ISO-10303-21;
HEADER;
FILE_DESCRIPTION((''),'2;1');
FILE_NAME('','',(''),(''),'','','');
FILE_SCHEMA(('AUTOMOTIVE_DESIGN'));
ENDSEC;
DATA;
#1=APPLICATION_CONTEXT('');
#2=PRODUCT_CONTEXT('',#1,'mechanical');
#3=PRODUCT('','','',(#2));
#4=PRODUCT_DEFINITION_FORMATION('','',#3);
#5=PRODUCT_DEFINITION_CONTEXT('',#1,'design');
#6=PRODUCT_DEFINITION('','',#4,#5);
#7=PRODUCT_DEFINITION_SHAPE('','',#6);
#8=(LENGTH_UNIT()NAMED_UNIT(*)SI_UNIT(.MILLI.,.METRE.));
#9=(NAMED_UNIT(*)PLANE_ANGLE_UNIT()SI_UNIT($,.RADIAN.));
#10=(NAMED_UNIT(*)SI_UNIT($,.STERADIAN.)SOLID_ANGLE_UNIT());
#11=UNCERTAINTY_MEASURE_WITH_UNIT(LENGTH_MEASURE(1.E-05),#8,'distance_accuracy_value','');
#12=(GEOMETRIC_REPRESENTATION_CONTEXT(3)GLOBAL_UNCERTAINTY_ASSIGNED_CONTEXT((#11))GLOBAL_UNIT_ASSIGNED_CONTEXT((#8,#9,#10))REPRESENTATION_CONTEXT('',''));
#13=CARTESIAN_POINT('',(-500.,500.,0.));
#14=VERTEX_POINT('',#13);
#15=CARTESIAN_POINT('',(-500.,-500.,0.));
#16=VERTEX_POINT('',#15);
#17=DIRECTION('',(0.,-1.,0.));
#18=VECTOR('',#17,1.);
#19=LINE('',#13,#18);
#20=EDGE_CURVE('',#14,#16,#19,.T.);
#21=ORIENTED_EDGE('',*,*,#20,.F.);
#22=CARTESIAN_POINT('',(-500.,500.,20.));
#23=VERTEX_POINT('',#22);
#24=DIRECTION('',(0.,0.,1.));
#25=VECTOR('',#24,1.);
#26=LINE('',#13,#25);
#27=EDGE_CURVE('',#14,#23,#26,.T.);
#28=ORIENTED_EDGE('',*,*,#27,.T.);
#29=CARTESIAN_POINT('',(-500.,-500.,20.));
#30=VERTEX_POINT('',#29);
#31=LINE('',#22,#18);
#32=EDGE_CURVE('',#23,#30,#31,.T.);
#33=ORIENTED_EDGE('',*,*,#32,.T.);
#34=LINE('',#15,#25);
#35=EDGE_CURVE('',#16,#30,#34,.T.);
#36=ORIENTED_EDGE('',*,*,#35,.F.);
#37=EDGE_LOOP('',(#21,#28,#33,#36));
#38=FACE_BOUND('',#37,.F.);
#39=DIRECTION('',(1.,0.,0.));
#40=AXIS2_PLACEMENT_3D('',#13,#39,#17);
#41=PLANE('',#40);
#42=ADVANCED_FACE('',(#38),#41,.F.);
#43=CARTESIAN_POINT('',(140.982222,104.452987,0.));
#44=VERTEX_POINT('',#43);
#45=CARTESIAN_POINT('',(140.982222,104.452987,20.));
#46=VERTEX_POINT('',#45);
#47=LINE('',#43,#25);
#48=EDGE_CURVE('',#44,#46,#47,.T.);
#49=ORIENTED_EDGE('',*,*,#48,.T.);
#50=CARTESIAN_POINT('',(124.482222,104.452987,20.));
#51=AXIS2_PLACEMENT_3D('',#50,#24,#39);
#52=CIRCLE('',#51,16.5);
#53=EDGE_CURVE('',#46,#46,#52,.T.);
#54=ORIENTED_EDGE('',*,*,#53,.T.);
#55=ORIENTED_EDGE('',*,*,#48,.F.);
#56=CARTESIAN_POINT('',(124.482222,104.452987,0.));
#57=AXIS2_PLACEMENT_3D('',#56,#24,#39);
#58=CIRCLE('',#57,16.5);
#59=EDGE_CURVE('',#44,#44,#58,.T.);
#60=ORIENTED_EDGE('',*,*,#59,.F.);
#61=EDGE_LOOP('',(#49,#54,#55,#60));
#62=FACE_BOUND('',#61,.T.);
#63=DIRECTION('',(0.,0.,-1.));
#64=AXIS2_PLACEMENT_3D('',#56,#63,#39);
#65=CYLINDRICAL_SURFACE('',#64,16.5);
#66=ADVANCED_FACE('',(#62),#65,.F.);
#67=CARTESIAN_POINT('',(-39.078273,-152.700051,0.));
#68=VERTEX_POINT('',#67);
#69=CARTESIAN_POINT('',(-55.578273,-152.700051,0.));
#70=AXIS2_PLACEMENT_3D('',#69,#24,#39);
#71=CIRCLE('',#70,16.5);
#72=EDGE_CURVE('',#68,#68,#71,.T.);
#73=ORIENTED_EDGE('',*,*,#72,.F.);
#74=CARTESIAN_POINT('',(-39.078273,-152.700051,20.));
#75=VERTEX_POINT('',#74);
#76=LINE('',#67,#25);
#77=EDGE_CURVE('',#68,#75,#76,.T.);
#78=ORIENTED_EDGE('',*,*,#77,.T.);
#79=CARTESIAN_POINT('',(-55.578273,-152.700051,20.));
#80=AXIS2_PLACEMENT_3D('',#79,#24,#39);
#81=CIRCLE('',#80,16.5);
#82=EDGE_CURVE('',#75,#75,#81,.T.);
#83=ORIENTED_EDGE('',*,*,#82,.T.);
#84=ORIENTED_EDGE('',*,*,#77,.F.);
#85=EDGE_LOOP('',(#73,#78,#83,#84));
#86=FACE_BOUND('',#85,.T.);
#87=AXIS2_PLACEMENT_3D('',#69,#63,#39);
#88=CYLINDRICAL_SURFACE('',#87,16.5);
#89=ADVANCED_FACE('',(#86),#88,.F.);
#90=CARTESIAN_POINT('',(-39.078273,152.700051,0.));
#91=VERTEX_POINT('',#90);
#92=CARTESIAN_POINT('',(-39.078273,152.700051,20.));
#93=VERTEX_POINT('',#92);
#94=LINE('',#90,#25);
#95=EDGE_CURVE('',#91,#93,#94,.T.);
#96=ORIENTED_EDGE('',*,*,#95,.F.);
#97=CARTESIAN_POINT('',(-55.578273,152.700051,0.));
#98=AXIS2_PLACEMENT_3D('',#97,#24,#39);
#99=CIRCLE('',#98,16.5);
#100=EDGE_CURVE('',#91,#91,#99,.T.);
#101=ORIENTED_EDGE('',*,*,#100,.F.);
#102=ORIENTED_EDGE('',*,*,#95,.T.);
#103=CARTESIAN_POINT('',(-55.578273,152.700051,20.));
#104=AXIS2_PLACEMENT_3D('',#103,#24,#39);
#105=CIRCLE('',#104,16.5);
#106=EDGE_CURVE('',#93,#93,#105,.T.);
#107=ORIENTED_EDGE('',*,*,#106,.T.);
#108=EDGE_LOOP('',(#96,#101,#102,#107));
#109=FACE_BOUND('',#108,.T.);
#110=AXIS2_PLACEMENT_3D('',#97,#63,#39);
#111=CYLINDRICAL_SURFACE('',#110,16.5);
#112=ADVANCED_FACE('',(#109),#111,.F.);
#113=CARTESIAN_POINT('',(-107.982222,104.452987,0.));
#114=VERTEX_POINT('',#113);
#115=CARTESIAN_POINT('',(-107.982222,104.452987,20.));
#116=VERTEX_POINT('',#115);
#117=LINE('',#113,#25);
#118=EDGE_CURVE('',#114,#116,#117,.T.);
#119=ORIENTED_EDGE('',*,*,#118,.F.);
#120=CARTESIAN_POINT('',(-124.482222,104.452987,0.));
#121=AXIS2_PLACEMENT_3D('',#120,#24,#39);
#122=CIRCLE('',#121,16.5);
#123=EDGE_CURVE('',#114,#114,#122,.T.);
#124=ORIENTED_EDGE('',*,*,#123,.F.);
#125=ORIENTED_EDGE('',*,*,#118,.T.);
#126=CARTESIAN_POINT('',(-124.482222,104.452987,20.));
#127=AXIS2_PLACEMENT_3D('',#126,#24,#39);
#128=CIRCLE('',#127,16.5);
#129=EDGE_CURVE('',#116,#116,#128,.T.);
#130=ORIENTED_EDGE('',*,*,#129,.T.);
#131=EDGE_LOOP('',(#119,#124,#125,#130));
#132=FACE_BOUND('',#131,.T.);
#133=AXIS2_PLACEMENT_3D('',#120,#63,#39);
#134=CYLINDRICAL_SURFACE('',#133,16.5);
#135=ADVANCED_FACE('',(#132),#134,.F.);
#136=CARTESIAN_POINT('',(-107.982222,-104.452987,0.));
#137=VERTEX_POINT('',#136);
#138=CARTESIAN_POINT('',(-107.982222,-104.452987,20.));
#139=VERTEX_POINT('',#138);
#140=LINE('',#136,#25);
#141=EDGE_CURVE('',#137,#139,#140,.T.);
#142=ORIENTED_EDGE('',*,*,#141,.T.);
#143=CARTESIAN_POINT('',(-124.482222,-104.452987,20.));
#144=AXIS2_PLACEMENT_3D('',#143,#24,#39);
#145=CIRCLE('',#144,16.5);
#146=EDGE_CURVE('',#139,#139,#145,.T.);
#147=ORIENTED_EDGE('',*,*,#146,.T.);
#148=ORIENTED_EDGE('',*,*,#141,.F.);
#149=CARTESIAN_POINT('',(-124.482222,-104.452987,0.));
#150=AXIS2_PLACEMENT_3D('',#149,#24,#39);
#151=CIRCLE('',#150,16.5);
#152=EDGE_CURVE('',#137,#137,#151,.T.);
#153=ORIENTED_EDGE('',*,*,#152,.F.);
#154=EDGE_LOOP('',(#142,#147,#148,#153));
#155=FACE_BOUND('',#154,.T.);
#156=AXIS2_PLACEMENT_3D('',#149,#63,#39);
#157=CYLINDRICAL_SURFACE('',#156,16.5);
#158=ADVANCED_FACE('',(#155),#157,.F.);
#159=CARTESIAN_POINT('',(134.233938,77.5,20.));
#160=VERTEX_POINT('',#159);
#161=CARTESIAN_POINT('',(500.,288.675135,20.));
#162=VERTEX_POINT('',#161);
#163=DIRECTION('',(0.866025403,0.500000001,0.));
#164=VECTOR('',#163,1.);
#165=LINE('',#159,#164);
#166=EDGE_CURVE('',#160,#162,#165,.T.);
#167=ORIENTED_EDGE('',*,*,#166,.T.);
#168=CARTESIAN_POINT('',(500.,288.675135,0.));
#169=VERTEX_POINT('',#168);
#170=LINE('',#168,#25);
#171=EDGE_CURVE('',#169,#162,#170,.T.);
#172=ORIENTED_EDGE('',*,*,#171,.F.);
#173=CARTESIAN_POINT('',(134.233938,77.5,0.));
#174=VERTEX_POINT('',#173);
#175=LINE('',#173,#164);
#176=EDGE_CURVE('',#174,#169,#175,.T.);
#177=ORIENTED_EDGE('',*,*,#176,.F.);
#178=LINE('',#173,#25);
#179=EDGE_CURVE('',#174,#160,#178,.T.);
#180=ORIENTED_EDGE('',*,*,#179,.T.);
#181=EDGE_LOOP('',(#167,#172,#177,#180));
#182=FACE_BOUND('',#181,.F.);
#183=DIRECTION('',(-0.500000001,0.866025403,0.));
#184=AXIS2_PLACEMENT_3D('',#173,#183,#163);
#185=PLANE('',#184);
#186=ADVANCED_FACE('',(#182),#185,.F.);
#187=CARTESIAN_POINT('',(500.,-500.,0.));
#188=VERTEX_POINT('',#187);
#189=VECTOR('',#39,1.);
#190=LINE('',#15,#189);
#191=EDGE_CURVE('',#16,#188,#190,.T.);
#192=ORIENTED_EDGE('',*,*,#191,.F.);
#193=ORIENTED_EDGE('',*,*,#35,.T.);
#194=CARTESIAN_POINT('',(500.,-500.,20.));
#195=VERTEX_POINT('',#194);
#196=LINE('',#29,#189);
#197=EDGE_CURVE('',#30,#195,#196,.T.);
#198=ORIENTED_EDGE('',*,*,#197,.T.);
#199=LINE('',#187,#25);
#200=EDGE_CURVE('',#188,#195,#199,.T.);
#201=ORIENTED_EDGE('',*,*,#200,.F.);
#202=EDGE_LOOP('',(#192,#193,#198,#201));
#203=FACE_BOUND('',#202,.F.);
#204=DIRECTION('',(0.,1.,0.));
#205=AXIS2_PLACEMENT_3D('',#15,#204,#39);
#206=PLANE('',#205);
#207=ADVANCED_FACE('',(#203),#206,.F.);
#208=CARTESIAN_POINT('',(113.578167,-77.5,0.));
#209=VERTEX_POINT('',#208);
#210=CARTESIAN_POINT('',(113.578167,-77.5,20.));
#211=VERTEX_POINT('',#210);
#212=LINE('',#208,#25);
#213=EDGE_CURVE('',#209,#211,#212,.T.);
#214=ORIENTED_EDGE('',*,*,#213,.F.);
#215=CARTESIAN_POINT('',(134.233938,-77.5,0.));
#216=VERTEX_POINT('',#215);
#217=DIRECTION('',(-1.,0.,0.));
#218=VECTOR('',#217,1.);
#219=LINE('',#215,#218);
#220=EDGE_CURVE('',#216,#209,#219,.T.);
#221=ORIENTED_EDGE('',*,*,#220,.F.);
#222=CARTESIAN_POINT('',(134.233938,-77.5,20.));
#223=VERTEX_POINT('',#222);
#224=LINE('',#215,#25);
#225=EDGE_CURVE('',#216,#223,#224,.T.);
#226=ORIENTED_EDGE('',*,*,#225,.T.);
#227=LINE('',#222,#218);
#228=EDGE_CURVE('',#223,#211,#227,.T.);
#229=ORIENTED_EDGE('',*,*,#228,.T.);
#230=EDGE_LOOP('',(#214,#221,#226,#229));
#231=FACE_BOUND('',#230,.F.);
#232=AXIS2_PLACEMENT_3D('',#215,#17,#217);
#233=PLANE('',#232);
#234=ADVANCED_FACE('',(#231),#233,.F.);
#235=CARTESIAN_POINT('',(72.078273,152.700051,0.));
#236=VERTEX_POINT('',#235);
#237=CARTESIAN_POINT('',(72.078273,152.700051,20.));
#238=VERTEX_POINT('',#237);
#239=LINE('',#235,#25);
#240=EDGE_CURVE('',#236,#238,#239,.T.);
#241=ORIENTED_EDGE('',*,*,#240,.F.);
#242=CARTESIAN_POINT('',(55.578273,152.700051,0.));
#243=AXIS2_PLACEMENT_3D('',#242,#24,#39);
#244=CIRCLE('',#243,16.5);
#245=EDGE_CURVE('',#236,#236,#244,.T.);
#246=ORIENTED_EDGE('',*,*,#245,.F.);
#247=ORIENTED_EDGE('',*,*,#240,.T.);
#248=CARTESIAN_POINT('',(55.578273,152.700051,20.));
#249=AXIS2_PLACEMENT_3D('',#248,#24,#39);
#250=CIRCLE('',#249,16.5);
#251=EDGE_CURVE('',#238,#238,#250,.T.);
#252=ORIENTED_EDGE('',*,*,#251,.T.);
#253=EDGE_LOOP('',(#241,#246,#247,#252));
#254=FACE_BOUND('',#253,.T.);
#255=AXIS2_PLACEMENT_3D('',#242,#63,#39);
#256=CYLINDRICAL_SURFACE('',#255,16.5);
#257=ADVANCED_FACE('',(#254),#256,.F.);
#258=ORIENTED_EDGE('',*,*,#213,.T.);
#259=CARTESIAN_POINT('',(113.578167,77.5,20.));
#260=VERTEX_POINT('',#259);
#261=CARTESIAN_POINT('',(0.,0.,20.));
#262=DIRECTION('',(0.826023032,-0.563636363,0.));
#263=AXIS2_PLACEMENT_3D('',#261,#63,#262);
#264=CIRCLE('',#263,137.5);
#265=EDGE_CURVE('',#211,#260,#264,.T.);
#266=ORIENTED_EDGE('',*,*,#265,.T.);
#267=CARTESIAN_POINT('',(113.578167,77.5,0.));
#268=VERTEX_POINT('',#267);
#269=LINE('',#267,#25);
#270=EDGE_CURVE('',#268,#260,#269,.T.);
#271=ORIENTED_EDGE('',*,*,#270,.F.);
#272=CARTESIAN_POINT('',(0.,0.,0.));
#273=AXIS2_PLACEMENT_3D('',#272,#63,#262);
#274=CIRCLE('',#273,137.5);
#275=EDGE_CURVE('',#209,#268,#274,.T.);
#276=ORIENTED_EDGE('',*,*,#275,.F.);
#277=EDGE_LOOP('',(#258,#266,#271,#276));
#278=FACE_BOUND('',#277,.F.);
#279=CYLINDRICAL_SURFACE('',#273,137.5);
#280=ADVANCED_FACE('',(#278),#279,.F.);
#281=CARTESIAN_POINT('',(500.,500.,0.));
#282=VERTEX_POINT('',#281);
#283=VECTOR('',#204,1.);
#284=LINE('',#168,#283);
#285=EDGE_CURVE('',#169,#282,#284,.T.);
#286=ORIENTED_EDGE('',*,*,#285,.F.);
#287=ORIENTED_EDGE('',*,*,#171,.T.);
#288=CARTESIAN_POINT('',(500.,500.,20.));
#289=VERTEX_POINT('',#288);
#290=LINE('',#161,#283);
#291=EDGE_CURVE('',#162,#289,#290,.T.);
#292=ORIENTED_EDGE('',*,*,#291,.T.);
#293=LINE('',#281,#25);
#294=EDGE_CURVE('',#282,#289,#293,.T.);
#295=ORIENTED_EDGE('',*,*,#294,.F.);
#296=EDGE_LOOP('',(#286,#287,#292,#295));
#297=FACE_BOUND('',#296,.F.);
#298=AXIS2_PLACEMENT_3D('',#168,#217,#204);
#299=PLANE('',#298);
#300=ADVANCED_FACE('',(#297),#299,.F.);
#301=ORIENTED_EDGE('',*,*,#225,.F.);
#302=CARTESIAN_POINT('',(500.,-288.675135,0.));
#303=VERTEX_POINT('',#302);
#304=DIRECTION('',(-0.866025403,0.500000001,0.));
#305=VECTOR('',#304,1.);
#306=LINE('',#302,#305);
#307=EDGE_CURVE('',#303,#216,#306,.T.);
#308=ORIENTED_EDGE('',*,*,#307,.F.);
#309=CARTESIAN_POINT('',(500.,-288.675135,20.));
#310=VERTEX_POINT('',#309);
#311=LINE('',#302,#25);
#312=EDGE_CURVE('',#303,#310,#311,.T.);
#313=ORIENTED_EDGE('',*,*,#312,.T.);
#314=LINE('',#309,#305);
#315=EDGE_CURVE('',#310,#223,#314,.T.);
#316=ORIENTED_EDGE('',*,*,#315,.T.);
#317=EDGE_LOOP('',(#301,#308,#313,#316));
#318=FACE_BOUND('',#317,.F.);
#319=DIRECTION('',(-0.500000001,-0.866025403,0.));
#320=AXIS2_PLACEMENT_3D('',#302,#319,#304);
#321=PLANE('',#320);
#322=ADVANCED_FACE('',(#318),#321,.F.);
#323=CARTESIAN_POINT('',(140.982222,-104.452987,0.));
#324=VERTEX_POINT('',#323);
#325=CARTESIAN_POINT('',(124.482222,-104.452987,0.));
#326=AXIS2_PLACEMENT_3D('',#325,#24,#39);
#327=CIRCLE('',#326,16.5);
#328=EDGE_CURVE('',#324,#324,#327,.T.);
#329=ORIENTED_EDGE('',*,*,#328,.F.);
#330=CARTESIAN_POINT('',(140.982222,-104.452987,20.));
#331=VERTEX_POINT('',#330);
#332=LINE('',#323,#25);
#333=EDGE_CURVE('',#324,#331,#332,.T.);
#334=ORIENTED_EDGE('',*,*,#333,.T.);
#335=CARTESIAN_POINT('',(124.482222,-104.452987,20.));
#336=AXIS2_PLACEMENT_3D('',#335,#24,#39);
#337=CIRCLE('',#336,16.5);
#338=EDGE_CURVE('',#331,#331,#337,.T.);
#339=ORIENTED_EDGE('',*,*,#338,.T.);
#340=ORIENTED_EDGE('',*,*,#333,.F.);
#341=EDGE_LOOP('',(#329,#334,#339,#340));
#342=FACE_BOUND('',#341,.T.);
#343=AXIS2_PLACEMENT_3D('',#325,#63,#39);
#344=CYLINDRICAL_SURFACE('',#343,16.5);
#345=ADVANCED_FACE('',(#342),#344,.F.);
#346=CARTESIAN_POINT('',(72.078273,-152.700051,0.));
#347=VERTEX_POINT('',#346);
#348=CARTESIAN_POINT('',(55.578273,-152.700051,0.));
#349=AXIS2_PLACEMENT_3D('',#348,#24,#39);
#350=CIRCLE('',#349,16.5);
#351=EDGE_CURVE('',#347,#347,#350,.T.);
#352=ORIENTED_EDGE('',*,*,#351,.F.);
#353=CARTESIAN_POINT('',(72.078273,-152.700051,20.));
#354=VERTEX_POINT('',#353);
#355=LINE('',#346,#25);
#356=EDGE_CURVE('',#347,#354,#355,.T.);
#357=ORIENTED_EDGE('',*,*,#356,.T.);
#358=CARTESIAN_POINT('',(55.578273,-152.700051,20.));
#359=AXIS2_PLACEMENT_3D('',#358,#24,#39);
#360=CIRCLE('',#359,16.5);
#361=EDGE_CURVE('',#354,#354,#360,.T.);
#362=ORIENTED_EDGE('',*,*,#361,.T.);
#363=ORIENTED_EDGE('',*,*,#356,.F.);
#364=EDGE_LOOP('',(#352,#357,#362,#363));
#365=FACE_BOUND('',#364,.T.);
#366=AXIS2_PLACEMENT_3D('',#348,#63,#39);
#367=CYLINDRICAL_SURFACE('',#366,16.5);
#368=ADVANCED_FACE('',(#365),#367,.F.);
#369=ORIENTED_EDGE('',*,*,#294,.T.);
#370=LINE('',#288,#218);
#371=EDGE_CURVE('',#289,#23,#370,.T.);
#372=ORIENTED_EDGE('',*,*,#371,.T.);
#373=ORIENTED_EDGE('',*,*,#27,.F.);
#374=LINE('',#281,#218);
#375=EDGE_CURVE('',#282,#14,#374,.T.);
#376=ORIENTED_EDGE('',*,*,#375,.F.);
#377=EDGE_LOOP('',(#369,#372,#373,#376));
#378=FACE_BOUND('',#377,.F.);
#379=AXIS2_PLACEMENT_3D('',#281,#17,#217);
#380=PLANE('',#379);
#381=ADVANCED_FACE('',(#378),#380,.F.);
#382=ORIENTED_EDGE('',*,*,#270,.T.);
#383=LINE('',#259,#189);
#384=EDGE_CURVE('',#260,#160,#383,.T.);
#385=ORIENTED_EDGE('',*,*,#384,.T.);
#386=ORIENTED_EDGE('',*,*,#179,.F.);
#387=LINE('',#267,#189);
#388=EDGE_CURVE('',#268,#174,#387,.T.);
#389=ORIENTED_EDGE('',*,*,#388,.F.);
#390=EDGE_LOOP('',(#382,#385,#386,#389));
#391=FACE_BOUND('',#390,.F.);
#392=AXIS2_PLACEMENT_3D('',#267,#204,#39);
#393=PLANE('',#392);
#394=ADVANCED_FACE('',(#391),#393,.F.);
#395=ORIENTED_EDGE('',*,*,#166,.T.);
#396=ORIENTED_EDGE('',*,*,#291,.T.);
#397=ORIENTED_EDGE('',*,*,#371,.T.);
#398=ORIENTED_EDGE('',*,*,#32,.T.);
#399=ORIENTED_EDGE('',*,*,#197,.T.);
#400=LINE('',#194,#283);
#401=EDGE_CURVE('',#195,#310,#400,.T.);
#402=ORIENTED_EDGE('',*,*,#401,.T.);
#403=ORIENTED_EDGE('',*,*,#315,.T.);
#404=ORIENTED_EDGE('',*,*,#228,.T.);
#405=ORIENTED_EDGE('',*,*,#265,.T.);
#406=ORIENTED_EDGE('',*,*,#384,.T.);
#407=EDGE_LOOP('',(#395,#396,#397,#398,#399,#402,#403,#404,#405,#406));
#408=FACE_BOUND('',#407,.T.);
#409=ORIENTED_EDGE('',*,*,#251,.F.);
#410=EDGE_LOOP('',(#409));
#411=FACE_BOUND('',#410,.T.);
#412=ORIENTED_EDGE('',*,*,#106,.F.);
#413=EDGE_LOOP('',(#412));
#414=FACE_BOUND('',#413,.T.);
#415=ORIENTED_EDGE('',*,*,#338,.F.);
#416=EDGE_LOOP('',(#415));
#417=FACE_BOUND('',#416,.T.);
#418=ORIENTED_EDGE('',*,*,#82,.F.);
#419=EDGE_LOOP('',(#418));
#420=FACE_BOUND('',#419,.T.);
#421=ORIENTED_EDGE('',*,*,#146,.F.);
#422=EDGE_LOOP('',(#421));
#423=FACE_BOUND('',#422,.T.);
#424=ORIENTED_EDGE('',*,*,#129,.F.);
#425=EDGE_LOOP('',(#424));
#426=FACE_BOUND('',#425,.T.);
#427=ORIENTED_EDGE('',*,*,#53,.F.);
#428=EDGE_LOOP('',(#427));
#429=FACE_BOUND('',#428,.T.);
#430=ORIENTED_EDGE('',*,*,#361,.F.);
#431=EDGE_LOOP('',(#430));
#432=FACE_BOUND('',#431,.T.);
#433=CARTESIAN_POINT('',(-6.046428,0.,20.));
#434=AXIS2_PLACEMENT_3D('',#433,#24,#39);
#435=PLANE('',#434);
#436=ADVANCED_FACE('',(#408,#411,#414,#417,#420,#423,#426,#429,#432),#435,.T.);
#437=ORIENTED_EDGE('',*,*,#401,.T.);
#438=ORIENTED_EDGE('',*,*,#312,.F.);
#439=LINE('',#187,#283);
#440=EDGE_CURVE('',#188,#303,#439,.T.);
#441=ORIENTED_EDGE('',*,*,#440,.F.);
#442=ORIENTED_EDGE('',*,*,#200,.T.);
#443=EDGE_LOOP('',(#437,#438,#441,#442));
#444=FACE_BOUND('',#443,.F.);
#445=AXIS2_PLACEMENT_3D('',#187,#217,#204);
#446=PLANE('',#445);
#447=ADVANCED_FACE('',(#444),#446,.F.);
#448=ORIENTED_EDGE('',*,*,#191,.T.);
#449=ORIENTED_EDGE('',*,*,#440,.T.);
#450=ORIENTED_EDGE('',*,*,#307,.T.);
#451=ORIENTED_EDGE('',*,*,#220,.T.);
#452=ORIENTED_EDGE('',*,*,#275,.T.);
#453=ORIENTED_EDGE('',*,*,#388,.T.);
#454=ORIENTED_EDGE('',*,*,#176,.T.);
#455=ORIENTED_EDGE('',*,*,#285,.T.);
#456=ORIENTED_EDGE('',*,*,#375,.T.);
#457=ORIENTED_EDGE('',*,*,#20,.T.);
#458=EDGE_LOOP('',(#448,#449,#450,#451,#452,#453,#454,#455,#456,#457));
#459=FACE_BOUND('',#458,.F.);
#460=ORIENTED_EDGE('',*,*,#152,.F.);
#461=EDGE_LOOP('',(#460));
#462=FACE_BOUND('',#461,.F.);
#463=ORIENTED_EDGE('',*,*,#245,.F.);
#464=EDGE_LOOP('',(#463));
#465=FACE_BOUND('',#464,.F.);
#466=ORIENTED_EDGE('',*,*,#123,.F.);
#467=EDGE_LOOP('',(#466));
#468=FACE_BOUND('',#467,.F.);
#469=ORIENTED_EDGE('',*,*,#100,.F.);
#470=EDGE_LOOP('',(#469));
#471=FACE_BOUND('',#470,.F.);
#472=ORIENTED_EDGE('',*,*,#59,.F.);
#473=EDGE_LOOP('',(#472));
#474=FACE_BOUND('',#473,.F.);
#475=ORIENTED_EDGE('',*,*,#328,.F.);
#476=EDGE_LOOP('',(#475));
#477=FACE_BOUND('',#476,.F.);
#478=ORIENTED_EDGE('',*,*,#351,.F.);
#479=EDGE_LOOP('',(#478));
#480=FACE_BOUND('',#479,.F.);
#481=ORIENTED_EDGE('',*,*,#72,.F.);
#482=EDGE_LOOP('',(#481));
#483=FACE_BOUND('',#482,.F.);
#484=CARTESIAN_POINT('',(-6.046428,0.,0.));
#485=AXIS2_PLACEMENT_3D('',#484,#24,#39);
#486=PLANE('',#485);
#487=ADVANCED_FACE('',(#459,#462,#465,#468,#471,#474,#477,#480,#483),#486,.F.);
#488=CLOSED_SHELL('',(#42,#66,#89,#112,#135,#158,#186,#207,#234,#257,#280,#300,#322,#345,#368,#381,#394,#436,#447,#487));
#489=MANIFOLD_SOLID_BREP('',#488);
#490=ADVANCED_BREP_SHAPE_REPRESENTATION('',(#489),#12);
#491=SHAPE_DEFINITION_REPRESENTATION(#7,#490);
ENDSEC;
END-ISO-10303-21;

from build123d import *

# Parameters (mm, degrees)
F0_R     = 16.5
F1_DEPTH = 20


with BuildPart() as f1:
    # F0 (on Top) → F1 (new body)
    with BuildSketch(Plane.XY):
        with BuildLine():
            ThreePointArc((113.578167, -77.5), (-137.5, 0), (113.578167, 77.5))
            Line((113.578167, 77.5), (134.233938, 77.5))
            Line((134.233938, 77.5), (500, 288.675135))
            Line((500, 288.675135), (500, 500))
            Line((500, 500), (-500, 500))
            Line((-500, 500), (-500, -500))
            Line((-500, -500), (500, -500))
            Line((500, -500), (500, -288.675135))
            Line((500, -288.675135), (134.233938, -77.5))
            Line((134.233938, -77.5), (113.578167, -77.5))
        make_face()
        with Locations((-55.578273, -152.700051)):
            Circle(F0_R, mode=Mode.SUBTRACT)
        with Locations((-124.482222, -104.452987)):
            Circle(F0_R, mode=Mode.SUBTRACT)
        with Locations((55.578273, -152.700051)):
            Circle(F0_R, mode=Mode.SUBTRACT)
        with Locations((124.482222, -104.452987)):
            Circle(F0_R, mode=Mode.SUBTRACT)
        with Locations((-124.482222, 104.452987)):
            Circle(F0_R, mode=Mode.SUBTRACT)
        with Locations((-55.578273, 152.700051)):
            Circle(F0_R, mode=Mode.SUBTRACT)
        with Locations((124.482222, 104.452987)):
            Circle(F0_R, mode=Mode.SUBTRACT)
        with Locations((55.578273, 152.700051)):
            Circle(F0_R, mode=Mode.SUBTRACT)
    extrude(amount=F1_DEPTH)


solid = f1.part
